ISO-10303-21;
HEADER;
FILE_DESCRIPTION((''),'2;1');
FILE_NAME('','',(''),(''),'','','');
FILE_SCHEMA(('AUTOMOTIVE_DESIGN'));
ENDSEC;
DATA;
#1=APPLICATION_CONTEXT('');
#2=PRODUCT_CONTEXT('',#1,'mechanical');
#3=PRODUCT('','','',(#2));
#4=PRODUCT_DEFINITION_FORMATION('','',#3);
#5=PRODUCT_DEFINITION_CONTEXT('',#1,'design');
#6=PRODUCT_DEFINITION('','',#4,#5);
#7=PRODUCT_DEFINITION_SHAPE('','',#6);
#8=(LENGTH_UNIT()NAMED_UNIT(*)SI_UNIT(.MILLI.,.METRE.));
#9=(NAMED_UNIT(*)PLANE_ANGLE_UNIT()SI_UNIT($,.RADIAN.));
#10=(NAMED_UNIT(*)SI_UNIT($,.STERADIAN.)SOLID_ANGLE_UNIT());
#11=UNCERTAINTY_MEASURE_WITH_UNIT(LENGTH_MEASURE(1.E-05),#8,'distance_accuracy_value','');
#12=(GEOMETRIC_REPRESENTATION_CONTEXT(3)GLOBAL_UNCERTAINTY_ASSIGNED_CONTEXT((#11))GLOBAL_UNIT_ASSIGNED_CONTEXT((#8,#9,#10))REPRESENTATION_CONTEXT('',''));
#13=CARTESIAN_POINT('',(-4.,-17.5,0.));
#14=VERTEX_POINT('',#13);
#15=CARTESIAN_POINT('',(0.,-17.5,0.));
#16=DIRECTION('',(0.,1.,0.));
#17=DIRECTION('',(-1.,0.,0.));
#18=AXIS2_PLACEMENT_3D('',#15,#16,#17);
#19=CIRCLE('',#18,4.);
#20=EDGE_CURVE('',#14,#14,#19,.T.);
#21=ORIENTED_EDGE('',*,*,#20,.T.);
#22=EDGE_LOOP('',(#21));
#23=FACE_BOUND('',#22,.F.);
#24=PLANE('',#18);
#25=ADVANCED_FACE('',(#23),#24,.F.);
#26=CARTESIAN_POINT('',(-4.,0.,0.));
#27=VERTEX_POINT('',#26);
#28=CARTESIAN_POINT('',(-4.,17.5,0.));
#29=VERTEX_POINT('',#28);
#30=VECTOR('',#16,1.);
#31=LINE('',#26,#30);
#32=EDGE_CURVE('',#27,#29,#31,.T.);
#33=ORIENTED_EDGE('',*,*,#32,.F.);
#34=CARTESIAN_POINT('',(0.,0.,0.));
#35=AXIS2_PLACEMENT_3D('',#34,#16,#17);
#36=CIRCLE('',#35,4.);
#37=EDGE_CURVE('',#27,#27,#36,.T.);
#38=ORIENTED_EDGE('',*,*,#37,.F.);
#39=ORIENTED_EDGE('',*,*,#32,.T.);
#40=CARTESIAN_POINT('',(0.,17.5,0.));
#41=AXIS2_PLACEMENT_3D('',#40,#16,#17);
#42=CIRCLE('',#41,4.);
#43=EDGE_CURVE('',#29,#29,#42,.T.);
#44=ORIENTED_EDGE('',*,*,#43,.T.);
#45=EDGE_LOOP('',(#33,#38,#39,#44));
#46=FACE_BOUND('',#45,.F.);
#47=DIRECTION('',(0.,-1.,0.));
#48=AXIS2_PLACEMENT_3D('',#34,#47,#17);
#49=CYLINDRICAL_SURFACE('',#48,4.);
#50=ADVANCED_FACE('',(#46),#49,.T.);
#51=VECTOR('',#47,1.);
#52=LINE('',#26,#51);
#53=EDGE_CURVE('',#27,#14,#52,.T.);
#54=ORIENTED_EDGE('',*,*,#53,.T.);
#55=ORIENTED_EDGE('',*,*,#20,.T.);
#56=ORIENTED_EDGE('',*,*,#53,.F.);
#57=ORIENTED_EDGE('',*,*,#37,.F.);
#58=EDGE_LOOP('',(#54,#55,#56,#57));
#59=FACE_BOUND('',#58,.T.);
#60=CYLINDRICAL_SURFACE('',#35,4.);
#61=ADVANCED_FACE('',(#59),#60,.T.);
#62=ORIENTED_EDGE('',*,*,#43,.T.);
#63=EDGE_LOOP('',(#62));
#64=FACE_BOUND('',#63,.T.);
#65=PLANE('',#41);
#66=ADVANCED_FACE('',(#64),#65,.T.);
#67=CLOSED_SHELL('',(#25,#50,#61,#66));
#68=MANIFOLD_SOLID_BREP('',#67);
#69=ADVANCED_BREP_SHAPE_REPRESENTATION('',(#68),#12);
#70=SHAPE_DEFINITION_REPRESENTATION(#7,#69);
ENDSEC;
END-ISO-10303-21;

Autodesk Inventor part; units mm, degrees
ref_plane "YZ Plane" through (0, 0, 0) normal (1, 0, 0) x (0, 1, 0)
ref_plane "XZ Plane" through (0, 0, 0) normal (0, 1, 0) x (-1, 0, 0)
ref_plane "XY Plane" through (0, 0, 0) normal (0, 0, 1) x (1, 0, 0)
sketch "Sketch1" plane through (0, 0, 0) normal (0, 1, 0) x (-1, 0, 0)
  circle A0 centre (0, 0) radius 4
  dimension "d0" = 8
extrude "Extrusion1" add sketch "Sketch1" along normal mid plane 35
properties part number "eje8x35mm"
